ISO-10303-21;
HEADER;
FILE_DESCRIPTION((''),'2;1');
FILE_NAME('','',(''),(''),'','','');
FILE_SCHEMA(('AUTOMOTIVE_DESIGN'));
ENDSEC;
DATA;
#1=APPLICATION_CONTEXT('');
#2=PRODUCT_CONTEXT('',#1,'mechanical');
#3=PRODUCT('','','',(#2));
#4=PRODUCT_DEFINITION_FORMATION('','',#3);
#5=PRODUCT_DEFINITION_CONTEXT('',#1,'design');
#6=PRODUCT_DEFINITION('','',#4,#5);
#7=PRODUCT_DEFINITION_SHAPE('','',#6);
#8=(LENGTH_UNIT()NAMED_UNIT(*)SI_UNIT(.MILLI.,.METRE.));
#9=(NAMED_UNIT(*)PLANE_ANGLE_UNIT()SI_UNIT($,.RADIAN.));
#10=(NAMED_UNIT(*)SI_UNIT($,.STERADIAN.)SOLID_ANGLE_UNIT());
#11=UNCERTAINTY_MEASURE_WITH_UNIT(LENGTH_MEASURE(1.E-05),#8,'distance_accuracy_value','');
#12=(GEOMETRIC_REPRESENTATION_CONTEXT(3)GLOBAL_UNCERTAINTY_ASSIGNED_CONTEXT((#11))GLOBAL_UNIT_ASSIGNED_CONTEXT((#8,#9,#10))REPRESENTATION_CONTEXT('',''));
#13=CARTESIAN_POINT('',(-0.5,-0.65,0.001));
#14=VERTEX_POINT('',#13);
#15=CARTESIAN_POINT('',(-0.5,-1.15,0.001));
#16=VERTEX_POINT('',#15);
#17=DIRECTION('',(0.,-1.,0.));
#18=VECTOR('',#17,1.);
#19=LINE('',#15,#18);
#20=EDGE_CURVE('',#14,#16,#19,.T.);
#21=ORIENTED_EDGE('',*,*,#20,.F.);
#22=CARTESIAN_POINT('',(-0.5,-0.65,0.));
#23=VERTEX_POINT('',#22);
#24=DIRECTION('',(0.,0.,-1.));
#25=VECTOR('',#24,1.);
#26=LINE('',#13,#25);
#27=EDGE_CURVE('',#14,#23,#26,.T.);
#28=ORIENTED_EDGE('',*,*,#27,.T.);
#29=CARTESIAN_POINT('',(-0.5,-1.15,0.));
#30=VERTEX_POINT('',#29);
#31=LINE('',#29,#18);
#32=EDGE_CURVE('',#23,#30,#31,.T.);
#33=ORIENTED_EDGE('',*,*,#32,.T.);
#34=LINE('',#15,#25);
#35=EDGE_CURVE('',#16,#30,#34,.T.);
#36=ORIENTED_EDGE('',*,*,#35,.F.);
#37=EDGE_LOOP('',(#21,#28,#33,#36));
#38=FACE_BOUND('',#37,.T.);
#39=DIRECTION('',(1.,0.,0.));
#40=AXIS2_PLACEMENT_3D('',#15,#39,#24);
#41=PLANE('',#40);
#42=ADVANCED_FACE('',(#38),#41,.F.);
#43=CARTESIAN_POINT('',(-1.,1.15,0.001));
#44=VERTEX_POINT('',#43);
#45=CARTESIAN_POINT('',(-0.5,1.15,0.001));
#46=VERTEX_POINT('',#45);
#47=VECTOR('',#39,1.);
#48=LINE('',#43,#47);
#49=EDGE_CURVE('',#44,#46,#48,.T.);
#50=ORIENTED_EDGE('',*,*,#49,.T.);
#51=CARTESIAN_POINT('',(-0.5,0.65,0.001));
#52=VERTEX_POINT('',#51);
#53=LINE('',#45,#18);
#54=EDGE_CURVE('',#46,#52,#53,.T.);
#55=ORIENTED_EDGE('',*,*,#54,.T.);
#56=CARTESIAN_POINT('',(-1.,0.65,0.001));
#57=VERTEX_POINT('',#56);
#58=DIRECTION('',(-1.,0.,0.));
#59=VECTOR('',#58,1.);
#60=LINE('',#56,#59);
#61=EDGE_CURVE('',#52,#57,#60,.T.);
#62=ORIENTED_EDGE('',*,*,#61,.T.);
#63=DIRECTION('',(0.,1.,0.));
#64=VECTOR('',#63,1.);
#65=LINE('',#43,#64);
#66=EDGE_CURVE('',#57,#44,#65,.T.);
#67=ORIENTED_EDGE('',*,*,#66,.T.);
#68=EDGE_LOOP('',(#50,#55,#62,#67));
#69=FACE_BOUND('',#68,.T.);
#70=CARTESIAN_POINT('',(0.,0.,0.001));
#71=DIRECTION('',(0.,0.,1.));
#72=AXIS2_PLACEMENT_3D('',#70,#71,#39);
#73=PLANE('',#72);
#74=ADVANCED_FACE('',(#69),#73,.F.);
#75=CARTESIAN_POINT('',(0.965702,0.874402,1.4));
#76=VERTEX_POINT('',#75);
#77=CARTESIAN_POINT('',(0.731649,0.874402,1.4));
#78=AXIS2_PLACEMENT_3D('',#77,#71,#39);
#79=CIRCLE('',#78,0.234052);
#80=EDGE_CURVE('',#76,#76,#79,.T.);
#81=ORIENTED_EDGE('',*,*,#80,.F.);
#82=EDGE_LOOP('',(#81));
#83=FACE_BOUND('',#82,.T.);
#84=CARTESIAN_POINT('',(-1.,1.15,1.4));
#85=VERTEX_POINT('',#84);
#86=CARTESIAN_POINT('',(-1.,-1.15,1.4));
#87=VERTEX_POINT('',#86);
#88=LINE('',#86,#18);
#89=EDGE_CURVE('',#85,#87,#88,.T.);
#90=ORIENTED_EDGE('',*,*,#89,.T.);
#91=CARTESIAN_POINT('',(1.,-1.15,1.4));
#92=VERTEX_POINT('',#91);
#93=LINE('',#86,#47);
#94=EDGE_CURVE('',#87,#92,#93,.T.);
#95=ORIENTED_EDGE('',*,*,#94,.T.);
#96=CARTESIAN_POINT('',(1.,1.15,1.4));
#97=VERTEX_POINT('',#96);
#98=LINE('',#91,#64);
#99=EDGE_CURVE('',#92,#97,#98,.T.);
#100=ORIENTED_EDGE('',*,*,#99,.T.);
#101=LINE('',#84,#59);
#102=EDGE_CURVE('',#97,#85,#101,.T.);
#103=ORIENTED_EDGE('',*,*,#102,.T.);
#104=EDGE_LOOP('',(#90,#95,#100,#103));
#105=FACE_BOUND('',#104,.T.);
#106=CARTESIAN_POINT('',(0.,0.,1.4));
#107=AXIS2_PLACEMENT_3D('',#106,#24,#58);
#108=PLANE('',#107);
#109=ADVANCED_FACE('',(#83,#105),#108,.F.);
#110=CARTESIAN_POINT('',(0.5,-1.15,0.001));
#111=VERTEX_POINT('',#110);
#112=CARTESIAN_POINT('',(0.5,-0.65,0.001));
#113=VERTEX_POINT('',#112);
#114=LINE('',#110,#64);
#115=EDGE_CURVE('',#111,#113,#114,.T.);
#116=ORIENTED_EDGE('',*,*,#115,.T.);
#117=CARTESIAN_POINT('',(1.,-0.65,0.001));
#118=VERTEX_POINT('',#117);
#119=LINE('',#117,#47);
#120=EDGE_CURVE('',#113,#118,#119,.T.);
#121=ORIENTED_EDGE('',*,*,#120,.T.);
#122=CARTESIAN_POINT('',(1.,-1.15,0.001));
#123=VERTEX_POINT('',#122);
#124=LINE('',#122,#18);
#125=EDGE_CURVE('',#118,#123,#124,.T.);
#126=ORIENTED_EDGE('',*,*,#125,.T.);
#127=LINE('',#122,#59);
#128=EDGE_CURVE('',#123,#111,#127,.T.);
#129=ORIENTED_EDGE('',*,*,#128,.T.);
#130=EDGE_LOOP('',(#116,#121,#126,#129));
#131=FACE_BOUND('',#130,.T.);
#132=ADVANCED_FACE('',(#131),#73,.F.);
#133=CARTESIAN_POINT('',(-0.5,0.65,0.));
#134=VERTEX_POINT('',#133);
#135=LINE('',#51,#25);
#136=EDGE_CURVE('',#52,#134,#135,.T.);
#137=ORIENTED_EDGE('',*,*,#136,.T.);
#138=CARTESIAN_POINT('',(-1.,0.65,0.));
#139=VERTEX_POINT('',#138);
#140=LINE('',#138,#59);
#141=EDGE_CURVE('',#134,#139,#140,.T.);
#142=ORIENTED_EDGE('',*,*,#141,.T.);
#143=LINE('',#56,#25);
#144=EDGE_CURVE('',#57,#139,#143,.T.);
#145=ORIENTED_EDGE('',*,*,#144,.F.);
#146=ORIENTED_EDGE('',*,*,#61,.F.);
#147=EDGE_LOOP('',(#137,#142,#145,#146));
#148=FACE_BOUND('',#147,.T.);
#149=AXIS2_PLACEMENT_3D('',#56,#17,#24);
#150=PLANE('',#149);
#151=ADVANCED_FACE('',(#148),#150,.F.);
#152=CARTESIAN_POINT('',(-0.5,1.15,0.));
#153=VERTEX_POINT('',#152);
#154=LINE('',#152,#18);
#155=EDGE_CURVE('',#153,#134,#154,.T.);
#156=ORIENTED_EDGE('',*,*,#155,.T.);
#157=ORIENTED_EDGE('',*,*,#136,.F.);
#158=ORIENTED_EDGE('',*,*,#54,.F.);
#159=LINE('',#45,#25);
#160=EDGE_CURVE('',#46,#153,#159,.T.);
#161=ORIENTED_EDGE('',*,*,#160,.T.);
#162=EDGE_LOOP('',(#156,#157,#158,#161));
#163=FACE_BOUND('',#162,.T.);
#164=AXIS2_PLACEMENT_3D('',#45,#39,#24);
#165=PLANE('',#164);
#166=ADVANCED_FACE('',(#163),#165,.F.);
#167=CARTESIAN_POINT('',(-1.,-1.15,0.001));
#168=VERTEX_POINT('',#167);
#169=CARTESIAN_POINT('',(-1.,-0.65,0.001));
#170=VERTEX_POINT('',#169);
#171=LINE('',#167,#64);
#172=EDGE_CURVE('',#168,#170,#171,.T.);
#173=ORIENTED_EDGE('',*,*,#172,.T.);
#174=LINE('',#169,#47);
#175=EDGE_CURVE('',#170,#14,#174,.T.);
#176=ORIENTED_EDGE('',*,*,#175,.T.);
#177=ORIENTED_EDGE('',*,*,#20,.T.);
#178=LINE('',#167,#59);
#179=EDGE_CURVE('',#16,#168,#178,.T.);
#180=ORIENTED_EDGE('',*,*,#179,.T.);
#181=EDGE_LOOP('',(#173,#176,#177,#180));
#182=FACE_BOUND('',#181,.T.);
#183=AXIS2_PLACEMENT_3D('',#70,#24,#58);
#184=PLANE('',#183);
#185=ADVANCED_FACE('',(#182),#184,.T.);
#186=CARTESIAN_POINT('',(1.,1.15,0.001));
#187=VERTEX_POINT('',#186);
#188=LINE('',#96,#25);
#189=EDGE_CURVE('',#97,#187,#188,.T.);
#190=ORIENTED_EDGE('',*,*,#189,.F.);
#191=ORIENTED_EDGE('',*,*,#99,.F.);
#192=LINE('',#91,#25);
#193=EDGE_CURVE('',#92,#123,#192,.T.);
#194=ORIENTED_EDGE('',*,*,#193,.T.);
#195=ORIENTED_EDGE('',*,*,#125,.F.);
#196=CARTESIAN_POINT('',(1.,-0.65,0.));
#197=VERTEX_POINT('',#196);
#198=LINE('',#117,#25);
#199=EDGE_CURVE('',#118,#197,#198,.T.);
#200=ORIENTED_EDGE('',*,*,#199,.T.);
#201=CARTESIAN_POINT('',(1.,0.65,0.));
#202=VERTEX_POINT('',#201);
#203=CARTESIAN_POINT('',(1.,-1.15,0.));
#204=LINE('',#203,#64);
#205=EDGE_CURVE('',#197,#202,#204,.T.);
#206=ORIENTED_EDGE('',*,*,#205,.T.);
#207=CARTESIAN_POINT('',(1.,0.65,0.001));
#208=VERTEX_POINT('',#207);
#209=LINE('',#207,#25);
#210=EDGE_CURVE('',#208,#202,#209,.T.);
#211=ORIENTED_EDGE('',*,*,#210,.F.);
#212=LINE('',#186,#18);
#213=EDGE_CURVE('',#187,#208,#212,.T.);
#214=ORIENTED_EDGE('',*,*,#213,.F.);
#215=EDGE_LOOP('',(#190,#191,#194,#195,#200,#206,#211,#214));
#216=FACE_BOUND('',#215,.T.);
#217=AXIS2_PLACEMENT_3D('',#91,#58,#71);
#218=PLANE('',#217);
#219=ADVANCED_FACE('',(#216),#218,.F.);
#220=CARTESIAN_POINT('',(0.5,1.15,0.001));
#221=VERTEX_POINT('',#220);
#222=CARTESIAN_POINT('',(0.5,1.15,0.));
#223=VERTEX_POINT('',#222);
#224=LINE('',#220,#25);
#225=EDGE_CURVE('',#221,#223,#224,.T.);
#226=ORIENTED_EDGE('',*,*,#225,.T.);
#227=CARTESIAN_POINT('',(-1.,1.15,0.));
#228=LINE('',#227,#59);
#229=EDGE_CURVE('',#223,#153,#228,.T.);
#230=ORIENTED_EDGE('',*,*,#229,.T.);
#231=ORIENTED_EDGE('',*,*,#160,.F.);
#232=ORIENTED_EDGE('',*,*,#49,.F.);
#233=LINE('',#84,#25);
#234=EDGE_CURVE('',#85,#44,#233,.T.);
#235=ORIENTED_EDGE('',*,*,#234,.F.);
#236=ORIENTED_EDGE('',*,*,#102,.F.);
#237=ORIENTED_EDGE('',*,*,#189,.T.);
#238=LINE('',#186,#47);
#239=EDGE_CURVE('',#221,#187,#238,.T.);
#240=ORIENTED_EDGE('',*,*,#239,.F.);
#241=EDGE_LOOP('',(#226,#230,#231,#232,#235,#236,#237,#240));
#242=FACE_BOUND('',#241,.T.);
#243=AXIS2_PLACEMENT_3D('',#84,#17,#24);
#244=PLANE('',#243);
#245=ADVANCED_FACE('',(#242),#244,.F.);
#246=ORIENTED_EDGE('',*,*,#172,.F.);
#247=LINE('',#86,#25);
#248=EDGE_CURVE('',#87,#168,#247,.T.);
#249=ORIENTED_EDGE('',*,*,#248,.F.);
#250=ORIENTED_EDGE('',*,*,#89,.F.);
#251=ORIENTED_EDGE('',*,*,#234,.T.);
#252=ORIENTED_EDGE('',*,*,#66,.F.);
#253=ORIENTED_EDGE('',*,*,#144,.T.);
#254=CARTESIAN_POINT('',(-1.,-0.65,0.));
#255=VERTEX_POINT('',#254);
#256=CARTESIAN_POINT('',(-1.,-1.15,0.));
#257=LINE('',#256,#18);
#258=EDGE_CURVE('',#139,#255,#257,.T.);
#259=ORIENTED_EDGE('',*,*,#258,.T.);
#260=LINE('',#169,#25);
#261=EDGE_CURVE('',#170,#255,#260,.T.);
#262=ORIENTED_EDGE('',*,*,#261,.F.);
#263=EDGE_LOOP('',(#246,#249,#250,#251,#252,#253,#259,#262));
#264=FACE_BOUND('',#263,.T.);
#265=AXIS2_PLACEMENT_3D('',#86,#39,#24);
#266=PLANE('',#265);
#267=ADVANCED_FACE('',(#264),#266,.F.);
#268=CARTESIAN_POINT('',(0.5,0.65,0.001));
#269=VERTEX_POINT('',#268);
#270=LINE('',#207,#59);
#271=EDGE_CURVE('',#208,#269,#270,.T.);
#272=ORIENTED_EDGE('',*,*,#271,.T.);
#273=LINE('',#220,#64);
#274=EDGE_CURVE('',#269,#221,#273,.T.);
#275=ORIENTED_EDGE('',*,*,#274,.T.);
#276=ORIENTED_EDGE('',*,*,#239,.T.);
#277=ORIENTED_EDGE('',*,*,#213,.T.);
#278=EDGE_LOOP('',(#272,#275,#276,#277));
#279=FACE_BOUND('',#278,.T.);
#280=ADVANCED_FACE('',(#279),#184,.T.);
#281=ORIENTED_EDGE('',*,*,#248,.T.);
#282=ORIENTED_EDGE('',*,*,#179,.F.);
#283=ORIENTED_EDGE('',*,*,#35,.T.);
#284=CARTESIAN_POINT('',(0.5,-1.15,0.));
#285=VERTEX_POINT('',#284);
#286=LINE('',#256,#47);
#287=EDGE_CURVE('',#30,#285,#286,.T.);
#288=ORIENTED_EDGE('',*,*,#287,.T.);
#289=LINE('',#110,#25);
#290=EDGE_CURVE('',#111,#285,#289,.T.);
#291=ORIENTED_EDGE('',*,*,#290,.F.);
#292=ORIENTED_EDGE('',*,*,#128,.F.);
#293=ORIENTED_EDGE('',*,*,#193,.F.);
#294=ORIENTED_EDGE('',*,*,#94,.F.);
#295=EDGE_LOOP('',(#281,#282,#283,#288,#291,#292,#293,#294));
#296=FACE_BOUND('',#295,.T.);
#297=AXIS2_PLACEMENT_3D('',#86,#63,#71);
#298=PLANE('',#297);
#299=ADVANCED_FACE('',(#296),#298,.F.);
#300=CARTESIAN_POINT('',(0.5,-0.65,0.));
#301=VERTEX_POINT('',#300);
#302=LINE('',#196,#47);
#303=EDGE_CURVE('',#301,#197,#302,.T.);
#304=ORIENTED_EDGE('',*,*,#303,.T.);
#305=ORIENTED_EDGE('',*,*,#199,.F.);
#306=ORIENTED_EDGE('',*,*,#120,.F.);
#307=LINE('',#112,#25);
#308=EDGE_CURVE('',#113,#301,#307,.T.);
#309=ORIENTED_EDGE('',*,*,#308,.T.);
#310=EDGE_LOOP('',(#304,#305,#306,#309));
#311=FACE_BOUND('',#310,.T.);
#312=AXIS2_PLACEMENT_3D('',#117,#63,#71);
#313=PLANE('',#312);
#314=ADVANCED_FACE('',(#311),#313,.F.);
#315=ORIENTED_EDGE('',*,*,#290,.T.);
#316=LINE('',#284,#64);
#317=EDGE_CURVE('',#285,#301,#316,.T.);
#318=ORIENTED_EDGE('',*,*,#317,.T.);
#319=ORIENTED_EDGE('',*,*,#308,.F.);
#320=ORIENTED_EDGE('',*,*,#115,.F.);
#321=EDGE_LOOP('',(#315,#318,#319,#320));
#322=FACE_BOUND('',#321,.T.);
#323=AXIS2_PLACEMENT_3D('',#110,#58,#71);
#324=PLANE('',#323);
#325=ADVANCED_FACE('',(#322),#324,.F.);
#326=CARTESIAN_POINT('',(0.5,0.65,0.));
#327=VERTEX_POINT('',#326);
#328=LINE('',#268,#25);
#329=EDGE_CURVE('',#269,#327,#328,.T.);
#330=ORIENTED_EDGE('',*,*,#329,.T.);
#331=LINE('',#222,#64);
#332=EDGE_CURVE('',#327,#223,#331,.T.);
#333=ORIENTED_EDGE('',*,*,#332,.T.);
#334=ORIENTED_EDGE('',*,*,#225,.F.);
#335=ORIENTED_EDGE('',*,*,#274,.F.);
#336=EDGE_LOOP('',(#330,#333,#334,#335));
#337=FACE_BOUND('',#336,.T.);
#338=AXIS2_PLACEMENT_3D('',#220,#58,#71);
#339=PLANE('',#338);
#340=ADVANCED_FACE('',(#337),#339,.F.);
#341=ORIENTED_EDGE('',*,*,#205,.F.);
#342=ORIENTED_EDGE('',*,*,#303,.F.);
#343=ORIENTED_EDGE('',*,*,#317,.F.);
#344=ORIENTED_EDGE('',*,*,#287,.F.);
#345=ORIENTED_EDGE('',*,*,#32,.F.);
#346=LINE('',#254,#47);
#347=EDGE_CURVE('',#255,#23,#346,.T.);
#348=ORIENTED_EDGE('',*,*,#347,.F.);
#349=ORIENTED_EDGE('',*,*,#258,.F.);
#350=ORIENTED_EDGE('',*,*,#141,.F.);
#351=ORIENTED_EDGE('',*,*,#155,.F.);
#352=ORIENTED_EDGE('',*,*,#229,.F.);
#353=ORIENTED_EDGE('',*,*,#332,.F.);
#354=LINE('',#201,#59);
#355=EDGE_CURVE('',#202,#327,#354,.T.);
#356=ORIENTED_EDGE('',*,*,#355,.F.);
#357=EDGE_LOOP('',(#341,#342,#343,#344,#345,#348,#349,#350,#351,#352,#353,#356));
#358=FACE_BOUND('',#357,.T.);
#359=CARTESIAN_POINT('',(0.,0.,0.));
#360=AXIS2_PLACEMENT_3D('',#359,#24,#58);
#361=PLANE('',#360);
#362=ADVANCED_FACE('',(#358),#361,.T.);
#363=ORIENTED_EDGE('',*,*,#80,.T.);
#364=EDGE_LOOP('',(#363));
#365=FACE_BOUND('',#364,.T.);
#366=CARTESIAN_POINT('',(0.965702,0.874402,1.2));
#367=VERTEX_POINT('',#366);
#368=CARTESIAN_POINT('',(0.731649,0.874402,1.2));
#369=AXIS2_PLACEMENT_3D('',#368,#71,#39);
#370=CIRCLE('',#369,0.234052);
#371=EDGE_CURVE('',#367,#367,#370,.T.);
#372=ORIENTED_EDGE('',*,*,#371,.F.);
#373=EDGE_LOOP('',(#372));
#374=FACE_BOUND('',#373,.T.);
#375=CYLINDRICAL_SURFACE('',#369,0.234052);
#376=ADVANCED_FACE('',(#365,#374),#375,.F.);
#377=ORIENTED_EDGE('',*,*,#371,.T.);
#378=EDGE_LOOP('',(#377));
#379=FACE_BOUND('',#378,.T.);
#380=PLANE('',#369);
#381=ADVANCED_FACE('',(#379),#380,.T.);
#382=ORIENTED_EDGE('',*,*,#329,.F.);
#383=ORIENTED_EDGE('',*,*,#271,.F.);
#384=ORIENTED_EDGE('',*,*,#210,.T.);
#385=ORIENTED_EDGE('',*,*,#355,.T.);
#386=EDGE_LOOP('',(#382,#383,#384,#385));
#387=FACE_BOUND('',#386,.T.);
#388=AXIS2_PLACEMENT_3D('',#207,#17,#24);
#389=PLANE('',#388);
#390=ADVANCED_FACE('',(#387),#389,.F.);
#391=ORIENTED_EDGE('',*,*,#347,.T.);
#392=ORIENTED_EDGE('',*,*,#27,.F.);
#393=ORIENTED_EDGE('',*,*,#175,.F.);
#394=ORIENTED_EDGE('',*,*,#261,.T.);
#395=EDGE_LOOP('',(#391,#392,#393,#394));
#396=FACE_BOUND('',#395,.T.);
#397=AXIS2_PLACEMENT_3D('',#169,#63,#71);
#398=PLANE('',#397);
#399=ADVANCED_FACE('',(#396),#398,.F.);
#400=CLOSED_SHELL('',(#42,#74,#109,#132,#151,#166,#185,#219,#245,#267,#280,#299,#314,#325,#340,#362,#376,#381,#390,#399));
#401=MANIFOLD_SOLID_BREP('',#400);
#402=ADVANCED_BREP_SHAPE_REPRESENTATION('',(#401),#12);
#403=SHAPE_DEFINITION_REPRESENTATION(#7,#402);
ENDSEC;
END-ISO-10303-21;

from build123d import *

# Parameters (mm, degrees)
SKETCH1_W           = 2
SKETCH1_H           = 2.3
BOSS_EXTRUDE1_DEPTH = 1.4
SKETCH2_R           = 0.234052446
CUT_EXTRUDE1_DEPTH  = 0.2
SKETCH3_W           = 0.5
SKETCH3_H           = 0.5
CUT_EXTRUDE2_DEPTH  = 0.001


with BuildPart() as part:
    # Sketch1 → Boss-Extrude1 (new body)
    with BuildSketch(Plane.XY):
        Rectangle(SKETCH1_W, SKETCH1_H)
    extrude(amount=BOSS_EXTRUDE1_DEPTH)

    # Sketch2 → Cut-Extrude1 (cut)
    with BuildSketch(Plane.XY.offset(1.4)):
        with Locations((0.731649059, 0.874401574)):
            Circle(SKETCH2_R)
    extrude(amount=-CUT_EXTRUDE1_DEPTH, mode=Mode.SUBTRACT)

    # Sketch3 → Cut-Extrude2 (cut)
    with BuildSketch(Plane(origin=(0, 0, 0), x_dir=(-1, 0, 0), z_dir=(0, 0, -1))):
        with Locations((-0.75, 0.9)):
            Rectangle(SKETCH3_W, SKETCH3_H)
        with Locations((0.75, 0.9)):
            Rectangle(SKETCH3_W, SKETCH3_H)
        with Locations((-0.75, -0.9)):
            Rectangle(SKETCH3_W, SKETCH3_H)
        with Locations((0.75, -0.9)):
            Rectangle(SKETCH3_W, SKETCH3_H)
    extrude(amount=-CUT_EXTRUDE2_DEPTH, mode=Mode.SUBTRACT)


solid = part.part
